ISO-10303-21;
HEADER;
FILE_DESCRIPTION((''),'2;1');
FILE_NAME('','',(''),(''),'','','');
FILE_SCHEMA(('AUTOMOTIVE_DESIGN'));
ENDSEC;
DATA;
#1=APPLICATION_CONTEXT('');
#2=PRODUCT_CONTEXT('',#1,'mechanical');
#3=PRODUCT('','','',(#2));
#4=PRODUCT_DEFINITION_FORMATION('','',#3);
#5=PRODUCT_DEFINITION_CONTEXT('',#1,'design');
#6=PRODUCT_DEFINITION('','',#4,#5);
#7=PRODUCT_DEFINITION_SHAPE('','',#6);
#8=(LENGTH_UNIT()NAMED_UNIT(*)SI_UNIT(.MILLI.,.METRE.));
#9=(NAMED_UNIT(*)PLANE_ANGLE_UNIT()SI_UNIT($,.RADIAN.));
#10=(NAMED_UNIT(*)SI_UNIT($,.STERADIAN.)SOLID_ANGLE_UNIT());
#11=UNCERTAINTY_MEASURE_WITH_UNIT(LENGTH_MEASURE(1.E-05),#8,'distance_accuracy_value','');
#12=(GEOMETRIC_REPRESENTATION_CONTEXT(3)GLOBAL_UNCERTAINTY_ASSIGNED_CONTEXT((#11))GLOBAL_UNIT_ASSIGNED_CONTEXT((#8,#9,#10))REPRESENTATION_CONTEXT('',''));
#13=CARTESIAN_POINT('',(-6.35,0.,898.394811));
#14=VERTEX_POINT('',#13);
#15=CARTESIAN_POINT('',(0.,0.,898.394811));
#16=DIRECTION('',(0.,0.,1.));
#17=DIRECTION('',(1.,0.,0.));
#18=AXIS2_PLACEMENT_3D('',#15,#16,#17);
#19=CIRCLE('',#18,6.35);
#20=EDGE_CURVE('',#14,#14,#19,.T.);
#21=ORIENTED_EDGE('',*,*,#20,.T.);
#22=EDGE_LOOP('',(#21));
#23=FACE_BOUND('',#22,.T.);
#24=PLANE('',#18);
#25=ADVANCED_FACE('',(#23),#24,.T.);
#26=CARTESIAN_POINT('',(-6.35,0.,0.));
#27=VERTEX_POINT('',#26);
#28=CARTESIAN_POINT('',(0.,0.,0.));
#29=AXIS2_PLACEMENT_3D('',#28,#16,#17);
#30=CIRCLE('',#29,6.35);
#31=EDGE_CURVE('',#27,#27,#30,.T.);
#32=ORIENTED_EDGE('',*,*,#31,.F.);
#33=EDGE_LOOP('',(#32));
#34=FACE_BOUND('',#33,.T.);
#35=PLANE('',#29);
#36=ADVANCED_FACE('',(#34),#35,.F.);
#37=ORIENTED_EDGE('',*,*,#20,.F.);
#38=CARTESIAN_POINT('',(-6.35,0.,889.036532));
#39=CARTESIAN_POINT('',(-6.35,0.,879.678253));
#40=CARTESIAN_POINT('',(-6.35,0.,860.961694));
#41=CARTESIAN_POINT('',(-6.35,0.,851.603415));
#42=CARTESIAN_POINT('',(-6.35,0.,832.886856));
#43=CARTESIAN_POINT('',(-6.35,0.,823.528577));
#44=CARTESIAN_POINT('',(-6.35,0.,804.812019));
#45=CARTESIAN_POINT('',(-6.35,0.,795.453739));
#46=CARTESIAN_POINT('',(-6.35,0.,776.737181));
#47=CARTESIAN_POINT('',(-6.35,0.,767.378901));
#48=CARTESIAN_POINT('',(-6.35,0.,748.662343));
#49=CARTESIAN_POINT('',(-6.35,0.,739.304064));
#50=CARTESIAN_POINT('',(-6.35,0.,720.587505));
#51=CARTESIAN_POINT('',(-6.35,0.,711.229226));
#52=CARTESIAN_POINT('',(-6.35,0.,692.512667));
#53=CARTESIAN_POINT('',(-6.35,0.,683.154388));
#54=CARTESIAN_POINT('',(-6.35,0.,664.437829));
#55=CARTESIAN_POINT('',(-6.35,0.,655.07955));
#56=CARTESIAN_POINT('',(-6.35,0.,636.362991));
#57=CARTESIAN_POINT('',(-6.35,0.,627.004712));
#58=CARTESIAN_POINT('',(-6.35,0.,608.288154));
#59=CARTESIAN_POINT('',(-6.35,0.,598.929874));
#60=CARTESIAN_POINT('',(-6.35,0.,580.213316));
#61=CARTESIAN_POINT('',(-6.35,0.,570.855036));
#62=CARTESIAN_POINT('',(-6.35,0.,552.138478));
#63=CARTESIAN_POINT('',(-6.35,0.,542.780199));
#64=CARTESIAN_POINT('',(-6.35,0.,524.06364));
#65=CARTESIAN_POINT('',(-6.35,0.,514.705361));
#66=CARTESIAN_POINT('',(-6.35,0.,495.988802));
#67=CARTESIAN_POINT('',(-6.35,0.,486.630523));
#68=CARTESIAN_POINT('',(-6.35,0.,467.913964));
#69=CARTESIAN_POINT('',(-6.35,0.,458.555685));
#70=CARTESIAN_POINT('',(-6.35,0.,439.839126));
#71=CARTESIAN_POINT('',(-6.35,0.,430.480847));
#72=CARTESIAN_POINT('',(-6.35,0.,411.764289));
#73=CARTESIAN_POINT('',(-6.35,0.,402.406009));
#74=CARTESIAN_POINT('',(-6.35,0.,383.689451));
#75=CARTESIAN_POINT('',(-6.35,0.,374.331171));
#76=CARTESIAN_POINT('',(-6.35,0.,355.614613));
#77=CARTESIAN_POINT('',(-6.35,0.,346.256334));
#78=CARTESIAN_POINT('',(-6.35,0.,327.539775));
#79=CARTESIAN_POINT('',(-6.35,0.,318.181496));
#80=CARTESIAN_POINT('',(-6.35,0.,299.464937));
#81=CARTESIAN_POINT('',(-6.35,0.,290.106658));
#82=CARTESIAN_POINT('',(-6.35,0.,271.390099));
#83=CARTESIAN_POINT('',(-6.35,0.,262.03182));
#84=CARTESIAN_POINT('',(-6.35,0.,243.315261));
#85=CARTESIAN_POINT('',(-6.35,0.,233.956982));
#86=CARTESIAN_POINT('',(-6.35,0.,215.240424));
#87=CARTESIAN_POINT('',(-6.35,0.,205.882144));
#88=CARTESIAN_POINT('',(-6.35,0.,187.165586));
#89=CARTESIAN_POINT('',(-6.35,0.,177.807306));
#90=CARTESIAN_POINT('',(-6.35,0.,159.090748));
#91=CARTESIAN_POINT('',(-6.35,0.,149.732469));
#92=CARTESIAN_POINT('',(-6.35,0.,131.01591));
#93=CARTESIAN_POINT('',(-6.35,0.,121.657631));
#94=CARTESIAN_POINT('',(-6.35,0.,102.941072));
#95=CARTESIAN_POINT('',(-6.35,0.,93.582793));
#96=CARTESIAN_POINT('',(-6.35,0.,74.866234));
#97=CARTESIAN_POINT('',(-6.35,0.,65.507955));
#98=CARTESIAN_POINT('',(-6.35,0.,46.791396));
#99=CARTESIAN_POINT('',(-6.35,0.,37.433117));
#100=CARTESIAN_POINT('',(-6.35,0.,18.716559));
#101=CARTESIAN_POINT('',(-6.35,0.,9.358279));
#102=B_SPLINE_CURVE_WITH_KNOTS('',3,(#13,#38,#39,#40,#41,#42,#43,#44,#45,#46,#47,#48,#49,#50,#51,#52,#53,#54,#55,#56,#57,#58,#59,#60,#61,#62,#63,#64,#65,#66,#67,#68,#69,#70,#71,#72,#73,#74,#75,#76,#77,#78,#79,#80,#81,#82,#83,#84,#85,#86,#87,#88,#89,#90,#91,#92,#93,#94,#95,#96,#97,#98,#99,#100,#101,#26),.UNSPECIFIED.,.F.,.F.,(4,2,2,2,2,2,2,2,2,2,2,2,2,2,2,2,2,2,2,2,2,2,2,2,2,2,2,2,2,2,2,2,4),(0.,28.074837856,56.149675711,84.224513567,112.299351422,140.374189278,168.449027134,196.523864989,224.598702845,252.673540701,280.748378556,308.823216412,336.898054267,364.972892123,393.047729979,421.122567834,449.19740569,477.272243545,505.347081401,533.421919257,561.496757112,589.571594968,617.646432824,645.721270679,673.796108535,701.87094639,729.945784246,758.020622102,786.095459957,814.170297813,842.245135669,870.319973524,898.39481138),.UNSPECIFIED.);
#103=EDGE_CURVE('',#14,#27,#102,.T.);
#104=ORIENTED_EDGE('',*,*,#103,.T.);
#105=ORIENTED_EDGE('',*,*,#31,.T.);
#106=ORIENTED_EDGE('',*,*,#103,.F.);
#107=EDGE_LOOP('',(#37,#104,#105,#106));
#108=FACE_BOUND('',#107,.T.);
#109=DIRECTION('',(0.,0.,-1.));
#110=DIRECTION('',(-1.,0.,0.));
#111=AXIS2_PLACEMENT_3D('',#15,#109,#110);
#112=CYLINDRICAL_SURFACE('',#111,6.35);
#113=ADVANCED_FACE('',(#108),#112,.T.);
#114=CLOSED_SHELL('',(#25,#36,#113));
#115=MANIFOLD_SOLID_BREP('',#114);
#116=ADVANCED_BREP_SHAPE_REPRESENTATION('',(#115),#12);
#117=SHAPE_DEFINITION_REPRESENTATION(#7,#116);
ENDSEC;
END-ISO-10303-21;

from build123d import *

# Parameters (mm, degrees)
SKETCH4_R           = 6.35
BOSS_EXTRUDE1_DEPTH = 898.39481138


with BuildPart() as part:
    # Sketch4 → Boss-Extrude1 (new body)
    with BuildSketch(Plane.XY):
        with Locations(Location((0, 0, 0), (0, 0, 180))):
            Circle(SKETCH4_R)
    extrude(amount=BOSS_EXTRUDE1_DEPTH)


solid = part.part
